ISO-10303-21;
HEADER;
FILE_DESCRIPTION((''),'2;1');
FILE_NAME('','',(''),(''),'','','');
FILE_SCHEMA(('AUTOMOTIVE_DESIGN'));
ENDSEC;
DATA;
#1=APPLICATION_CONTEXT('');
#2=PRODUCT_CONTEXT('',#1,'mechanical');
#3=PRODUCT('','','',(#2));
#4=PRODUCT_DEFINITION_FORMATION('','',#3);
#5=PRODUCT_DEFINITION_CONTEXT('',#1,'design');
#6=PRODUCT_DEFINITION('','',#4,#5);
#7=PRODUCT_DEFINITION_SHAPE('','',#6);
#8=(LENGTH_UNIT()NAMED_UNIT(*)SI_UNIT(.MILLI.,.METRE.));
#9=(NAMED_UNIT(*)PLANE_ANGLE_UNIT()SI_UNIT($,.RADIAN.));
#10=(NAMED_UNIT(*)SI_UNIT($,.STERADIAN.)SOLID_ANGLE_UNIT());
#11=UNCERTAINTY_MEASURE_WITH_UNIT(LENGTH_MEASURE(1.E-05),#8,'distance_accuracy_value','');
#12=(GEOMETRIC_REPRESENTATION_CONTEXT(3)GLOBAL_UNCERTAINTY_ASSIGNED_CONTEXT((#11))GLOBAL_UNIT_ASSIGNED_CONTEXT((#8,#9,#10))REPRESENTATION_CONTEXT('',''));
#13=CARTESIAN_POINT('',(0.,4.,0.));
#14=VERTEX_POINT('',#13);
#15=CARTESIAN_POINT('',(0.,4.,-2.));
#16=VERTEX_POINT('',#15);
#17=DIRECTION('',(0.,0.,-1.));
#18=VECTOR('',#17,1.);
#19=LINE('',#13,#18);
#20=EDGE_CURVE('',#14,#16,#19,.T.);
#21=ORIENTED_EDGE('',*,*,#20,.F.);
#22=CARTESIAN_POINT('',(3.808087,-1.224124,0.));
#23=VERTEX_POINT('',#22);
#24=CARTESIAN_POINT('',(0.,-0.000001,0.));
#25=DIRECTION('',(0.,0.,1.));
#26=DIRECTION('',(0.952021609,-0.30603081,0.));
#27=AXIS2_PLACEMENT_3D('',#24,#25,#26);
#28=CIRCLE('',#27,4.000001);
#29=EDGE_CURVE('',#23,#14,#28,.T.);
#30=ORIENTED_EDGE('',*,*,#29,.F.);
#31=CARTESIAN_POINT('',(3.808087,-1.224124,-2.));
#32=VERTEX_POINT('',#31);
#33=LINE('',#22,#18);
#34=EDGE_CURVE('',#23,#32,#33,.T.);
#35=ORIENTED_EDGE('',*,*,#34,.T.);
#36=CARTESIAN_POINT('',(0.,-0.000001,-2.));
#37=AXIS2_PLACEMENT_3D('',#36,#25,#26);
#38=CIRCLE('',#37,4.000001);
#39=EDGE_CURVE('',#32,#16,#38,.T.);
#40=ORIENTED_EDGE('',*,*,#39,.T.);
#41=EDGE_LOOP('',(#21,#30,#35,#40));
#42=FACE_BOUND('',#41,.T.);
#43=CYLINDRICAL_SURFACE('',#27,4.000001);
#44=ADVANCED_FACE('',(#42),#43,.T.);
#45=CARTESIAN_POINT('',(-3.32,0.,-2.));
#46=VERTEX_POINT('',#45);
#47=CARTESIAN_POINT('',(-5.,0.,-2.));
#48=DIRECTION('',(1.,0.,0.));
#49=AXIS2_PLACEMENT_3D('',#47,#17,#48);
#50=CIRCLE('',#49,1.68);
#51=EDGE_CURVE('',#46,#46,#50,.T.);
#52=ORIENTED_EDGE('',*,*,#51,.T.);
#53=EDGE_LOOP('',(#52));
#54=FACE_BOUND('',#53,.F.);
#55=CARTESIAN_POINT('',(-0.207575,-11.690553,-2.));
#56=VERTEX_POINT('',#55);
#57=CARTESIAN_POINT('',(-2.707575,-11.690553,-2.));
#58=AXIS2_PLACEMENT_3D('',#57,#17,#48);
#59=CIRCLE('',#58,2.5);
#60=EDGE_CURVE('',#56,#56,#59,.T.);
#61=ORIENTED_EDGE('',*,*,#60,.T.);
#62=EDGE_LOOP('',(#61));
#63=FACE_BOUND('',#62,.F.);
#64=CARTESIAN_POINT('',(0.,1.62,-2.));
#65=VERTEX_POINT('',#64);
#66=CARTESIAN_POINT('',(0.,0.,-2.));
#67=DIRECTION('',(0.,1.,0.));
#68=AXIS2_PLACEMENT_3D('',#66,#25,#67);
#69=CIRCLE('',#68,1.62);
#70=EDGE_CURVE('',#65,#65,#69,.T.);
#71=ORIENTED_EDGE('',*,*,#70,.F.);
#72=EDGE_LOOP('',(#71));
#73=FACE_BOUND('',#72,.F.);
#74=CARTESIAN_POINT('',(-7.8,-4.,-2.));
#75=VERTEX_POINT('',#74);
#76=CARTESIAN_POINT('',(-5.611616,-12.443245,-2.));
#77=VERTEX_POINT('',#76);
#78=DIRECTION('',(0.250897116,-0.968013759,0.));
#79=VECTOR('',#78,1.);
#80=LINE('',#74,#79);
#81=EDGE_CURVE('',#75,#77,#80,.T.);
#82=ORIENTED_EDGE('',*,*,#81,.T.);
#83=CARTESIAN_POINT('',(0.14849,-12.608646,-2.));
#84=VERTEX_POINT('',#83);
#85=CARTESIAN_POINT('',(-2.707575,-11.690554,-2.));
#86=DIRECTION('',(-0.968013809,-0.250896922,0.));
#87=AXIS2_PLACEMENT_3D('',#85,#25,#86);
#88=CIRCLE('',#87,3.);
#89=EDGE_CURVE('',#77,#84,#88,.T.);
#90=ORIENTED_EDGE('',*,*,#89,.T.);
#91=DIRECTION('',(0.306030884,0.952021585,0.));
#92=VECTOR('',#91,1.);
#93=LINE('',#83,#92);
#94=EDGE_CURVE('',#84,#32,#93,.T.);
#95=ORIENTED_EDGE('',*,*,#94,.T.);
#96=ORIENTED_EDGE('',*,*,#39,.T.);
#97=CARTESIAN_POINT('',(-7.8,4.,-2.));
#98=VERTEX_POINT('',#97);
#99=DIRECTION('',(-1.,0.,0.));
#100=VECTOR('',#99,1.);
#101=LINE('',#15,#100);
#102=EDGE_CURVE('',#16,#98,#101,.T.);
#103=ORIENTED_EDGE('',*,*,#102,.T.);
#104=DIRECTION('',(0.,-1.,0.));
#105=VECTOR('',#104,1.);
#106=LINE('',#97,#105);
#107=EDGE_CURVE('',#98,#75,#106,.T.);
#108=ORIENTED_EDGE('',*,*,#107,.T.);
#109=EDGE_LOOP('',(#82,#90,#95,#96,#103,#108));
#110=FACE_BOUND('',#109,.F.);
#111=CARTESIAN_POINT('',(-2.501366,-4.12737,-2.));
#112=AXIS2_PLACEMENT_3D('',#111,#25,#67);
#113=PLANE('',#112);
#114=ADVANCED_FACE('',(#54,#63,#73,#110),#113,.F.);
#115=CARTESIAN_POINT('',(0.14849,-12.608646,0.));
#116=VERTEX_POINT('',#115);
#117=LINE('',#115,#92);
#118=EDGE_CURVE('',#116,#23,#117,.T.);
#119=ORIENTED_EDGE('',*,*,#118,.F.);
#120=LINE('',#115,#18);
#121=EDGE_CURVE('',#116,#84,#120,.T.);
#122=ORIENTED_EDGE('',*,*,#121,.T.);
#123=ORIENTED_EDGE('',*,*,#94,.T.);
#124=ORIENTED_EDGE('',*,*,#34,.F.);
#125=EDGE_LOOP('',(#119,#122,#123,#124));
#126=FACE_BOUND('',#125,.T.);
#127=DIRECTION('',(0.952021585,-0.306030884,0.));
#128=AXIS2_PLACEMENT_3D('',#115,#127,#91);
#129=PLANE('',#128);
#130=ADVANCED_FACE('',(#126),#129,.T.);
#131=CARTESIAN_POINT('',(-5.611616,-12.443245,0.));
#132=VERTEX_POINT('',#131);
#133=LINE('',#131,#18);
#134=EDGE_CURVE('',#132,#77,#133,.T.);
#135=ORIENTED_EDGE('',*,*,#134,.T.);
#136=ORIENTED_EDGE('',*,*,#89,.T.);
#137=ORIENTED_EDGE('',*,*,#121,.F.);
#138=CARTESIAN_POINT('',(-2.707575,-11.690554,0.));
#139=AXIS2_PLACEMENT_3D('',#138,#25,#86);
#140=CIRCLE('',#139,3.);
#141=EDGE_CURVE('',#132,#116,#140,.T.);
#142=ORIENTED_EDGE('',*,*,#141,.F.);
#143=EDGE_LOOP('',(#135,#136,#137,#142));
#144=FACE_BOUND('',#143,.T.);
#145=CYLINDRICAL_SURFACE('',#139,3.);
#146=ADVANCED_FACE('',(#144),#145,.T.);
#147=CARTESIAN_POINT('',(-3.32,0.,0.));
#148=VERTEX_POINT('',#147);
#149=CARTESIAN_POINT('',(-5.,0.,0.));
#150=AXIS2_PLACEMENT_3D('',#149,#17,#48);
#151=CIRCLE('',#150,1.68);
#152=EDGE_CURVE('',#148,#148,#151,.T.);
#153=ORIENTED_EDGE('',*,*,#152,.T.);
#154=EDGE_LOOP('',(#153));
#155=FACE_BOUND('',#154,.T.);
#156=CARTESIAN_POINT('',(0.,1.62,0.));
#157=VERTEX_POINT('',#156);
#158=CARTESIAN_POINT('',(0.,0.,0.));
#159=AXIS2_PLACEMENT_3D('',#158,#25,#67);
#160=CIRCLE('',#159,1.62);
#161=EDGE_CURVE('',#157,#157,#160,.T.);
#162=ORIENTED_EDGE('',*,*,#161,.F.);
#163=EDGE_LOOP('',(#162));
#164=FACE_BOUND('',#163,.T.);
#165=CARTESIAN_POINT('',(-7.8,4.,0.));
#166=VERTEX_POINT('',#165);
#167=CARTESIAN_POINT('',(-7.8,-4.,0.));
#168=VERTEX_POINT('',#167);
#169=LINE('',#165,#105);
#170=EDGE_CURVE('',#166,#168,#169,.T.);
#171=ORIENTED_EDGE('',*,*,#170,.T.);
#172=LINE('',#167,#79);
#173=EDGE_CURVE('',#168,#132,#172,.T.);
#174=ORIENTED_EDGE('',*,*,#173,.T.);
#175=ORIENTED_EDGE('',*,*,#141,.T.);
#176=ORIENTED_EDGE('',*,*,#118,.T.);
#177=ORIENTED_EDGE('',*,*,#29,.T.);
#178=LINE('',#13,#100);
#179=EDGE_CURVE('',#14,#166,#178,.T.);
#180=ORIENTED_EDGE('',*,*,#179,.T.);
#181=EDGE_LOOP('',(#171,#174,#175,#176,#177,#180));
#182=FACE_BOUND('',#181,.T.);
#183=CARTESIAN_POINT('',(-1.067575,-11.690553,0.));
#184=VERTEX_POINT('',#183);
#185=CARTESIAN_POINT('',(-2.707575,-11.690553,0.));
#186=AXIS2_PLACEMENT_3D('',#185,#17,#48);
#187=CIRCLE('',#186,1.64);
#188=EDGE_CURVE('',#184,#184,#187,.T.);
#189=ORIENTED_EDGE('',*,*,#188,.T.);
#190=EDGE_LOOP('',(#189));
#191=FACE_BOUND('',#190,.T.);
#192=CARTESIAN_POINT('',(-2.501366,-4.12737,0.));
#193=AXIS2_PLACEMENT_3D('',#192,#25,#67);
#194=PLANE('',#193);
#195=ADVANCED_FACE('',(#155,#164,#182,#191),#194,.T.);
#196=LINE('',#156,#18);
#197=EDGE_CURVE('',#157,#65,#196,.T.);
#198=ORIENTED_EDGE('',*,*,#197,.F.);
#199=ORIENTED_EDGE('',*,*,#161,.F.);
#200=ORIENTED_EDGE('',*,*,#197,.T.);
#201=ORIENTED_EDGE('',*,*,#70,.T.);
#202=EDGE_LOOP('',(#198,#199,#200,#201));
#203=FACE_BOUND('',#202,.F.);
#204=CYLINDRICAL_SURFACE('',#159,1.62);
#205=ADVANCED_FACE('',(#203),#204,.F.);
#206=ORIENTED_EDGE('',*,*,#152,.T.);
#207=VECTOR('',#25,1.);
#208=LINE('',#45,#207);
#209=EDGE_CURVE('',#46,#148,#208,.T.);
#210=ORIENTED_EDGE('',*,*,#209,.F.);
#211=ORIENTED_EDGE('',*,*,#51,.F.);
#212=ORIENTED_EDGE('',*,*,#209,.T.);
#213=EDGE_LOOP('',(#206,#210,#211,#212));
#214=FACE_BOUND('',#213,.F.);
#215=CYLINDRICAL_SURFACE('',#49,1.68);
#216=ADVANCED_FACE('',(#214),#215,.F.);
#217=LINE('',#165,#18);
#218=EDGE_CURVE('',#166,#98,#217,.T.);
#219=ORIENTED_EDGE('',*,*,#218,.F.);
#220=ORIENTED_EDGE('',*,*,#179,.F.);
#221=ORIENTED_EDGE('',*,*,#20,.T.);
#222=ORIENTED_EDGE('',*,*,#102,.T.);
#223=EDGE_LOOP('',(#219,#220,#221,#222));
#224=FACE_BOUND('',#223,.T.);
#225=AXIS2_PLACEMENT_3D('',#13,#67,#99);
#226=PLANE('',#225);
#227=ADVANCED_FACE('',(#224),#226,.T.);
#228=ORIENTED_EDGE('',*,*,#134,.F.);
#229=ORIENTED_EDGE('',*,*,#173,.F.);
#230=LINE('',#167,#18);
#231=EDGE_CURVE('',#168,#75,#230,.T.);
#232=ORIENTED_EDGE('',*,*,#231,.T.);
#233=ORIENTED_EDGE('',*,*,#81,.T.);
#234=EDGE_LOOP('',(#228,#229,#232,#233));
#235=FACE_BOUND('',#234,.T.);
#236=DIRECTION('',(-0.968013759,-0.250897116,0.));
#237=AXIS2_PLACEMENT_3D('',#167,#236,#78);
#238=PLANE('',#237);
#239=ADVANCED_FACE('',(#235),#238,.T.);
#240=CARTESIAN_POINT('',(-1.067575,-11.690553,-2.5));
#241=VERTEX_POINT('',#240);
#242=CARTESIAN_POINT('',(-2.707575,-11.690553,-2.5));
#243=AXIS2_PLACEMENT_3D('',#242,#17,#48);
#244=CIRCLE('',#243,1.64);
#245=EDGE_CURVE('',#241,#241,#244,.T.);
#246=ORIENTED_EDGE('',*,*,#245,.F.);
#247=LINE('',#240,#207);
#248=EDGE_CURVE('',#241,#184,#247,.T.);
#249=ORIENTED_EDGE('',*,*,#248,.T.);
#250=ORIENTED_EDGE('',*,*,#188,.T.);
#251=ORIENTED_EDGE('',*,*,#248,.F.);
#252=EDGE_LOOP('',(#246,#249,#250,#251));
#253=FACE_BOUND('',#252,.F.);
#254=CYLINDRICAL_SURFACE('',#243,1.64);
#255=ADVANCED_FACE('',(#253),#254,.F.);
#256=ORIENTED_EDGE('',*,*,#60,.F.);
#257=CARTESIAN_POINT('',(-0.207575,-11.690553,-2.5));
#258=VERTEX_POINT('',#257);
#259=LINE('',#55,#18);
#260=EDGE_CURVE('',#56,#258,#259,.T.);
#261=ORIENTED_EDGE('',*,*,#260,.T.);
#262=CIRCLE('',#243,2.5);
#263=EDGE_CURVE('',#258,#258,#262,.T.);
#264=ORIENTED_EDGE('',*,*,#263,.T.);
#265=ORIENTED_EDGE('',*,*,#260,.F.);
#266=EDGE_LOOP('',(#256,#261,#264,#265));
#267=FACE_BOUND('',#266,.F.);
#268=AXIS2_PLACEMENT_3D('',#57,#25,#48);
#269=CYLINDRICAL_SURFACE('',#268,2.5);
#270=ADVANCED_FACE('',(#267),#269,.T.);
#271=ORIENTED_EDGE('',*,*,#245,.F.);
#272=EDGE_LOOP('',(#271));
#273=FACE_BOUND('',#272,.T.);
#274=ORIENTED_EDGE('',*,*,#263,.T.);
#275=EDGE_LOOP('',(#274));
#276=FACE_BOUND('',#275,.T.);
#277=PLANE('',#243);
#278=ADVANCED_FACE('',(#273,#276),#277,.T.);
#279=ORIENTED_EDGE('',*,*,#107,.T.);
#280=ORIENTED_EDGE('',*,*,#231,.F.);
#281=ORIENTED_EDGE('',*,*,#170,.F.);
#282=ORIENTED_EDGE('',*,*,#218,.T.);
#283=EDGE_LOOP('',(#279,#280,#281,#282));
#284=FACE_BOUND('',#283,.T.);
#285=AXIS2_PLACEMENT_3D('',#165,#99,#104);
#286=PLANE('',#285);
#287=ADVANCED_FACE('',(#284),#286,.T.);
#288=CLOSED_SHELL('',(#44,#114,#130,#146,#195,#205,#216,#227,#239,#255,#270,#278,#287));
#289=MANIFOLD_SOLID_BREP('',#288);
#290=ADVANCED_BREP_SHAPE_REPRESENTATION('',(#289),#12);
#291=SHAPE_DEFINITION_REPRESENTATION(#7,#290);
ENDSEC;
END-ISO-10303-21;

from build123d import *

# Parameters (mm, degrees)
BINDER_R        = 1.62
PAD_DEPTH       = 2
SKETCH_R        = 1.68
POCKET_DEPTH    = 2
SKETCH001_R     = 2.5
PAD001_DEPTH    = 0.5
SKETCH002_R     = 1.64
POCKET001_DEPTH = 2.5


with BuildPart() as part:
    # Binder → Pad (new body)
    with BuildSketch(Plane(origin=(-2.505049, -4.237344, 0), x_dir=(0, 1, 0), z_dir=(0, 0, 1))):
        with BuildLine():
            ThreePointArc((-8.205901, 3.106567), (-10.451974, 0.288635), (-8.371302, -2.653539))
            Line((-8.371302, -2.653539), (3.01322, -6.313136))
            ThreePointArc((3.01322, -6.313136), (6.59356, -5.737424), (8.237344, -2.505049))
            Line((8.237344, -2.505049), (8.237344, 5.294951))
            Line((8.237344, 5.294951), (0.237344, 5.294951))
            Line((0.237344, 5.294951), (-8.205901, 3.106567))
        make_face()
        with Locations((4.237344, -2.505049)):
            Circle(BINDER_R, mode=Mode.SUBTRACT)
    extrude(amount=-PAD_DEPTH)

    # Sketch (on Face9 of Pad) → Pocket (cut)
    with BuildSketch(Plane(origin=(0, 0, -2), x_dir=(1, 0, 0), z_dir=(0, 0, -1))):
        with Locations((-5, 0)):
            Circle(SKETCH_R)
    extrude(amount=-POCKET_DEPTH, mode=Mode.SUBTRACT)

    # Sketch001 (on Face5 of Pocket) → Pad001 (join)
    with BuildSketch(Plane(origin=(0, 0, -2), x_dir=(1, 0, 0), z_dir=(0, 0, -1))):
        with Locations((-2.707575, 11.690553)):
            Circle(SKETCH001_R)
    extrude(amount=PAD001_DEPTH)

    # Sketch002 (on Face12 of Pad001) → Pocket001 (cut)
    with BuildSketch(Plane(origin=(0, 0, -2.5), x_dir=(1, 0, 0), z_dir=(0, 0, -1))):
        with Locations((-2.707575, 11.690553)):
            Circle(SKETCH002_R)
    extrude(amount=-POCKET001_DEPTH, mode=Mode.SUBTRACT)


solid = part.part
